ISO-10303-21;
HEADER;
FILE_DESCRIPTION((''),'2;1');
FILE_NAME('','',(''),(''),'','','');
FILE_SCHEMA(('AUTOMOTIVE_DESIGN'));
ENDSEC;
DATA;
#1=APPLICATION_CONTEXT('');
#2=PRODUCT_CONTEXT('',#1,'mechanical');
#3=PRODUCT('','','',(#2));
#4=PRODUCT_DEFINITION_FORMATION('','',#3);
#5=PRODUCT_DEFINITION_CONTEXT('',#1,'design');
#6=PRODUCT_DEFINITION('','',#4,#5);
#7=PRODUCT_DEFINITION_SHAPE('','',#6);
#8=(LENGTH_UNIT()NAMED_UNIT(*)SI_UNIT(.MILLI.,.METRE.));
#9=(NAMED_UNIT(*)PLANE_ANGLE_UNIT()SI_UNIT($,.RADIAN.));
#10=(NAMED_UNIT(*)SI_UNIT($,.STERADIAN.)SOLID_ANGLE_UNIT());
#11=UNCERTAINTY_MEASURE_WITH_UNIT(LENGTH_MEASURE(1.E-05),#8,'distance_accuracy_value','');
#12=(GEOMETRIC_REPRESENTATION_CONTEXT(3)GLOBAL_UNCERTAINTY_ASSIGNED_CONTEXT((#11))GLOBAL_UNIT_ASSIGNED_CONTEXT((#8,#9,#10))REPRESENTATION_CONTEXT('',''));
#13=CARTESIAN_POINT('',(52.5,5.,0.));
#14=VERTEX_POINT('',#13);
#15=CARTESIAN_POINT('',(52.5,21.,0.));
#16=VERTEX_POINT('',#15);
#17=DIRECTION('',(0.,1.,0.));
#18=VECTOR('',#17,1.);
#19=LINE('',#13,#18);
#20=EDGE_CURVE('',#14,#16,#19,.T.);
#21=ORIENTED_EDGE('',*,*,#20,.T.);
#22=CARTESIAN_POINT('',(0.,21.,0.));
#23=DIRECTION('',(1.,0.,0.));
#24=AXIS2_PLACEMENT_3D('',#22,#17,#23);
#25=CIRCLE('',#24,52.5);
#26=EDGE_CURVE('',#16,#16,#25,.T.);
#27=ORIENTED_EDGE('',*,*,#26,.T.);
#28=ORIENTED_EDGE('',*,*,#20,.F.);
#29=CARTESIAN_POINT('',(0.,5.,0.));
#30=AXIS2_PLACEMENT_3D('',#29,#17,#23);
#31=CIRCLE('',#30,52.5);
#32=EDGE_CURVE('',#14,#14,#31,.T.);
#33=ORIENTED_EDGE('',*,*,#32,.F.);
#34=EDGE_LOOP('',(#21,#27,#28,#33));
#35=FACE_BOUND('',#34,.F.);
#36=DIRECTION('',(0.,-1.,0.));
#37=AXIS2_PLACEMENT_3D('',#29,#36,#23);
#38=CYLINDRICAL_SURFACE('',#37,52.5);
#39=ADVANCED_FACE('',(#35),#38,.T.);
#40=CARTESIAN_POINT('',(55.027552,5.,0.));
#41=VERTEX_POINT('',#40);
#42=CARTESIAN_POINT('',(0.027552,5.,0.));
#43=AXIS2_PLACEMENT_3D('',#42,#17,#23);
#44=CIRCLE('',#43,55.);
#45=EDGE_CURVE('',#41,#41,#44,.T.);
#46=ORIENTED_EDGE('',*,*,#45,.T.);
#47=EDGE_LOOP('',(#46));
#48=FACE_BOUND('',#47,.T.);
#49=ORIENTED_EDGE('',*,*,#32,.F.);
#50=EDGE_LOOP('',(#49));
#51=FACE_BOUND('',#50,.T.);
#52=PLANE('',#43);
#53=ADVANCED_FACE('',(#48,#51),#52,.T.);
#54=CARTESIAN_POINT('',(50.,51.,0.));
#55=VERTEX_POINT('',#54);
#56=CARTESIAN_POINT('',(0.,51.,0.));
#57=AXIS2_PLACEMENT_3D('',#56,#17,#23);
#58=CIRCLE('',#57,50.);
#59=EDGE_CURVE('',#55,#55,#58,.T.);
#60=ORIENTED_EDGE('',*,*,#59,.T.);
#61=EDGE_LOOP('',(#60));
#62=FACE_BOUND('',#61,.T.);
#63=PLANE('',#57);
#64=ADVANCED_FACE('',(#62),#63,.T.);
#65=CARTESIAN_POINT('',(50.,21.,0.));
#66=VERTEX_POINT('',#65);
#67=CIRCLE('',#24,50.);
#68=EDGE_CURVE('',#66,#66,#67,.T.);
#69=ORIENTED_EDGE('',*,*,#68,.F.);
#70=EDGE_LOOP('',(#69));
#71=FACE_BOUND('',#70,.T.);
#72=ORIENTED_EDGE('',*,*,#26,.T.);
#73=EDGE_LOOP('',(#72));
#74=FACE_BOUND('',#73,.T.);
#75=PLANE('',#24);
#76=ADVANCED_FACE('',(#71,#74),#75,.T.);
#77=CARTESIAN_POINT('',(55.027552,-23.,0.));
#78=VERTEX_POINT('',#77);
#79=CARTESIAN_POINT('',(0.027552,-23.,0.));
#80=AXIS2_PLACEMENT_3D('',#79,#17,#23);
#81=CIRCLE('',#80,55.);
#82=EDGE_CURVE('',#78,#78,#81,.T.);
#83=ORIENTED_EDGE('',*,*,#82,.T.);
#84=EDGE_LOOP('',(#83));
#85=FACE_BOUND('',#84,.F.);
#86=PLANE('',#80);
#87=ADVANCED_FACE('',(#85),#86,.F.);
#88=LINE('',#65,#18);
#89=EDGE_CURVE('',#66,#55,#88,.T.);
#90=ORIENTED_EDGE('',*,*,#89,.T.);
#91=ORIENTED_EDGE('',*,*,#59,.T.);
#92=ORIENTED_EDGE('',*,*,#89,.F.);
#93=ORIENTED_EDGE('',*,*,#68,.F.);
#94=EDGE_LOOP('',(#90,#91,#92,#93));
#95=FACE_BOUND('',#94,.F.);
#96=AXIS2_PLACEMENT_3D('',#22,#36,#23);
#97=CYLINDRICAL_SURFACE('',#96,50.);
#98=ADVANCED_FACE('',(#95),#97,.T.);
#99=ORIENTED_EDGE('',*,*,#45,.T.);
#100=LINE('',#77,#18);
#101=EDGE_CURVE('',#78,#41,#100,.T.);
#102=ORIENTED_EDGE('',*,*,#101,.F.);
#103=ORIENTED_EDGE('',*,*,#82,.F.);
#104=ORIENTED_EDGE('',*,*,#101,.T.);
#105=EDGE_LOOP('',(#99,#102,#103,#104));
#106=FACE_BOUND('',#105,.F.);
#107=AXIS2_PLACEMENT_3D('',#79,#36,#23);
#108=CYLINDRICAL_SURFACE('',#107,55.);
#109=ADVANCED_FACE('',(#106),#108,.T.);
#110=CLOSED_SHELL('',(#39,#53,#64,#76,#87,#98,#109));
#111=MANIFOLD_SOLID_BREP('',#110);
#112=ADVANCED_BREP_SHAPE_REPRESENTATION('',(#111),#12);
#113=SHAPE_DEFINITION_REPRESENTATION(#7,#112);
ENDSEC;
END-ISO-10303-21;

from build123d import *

# Parameters (mm, degrees)
SKETCH_R             = 55
PAD_DEPTH            = 28
SKETCH001_R          = 52.5
PAD001_DEPTH         = 16
SKETCH012_R          = 50
PAD005_DEPTH         = 30
BODY_PLACEMENT_ANGLE = 90


with BuildPart() as part:
    # Sketch → Pad (new body)
    with BuildSketch(Plane.XY):
        with Locations((0.027552, 0)):
            Circle(SKETCH_R)
    extrude(amount=PAD_DEPTH)

    # Sketch001 (on Face3 of Pad) → Pad001 (join)
    with BuildSketch(Plane.XY.offset(28)):
        Circle(SKETCH001_R)
    extrude(amount=PAD001_DEPTH)

    # Sketch012 (on Face5 of Pad001) → Pad005 (join)
    with BuildSketch(Plane.XY.offset(44)):
        Circle(SKETCH012_R)
    extrude(amount=PAD005_DEPTH)


with BuildPart() as part_1:
    # Body placement: moved
    add(part.part.moved(Location((0, -23, 0))).rotate(Axis((0, -23, 0), (-1, 0, 0)), BODY_PLACEMENT_ANGLE))


solid = part_1.part
